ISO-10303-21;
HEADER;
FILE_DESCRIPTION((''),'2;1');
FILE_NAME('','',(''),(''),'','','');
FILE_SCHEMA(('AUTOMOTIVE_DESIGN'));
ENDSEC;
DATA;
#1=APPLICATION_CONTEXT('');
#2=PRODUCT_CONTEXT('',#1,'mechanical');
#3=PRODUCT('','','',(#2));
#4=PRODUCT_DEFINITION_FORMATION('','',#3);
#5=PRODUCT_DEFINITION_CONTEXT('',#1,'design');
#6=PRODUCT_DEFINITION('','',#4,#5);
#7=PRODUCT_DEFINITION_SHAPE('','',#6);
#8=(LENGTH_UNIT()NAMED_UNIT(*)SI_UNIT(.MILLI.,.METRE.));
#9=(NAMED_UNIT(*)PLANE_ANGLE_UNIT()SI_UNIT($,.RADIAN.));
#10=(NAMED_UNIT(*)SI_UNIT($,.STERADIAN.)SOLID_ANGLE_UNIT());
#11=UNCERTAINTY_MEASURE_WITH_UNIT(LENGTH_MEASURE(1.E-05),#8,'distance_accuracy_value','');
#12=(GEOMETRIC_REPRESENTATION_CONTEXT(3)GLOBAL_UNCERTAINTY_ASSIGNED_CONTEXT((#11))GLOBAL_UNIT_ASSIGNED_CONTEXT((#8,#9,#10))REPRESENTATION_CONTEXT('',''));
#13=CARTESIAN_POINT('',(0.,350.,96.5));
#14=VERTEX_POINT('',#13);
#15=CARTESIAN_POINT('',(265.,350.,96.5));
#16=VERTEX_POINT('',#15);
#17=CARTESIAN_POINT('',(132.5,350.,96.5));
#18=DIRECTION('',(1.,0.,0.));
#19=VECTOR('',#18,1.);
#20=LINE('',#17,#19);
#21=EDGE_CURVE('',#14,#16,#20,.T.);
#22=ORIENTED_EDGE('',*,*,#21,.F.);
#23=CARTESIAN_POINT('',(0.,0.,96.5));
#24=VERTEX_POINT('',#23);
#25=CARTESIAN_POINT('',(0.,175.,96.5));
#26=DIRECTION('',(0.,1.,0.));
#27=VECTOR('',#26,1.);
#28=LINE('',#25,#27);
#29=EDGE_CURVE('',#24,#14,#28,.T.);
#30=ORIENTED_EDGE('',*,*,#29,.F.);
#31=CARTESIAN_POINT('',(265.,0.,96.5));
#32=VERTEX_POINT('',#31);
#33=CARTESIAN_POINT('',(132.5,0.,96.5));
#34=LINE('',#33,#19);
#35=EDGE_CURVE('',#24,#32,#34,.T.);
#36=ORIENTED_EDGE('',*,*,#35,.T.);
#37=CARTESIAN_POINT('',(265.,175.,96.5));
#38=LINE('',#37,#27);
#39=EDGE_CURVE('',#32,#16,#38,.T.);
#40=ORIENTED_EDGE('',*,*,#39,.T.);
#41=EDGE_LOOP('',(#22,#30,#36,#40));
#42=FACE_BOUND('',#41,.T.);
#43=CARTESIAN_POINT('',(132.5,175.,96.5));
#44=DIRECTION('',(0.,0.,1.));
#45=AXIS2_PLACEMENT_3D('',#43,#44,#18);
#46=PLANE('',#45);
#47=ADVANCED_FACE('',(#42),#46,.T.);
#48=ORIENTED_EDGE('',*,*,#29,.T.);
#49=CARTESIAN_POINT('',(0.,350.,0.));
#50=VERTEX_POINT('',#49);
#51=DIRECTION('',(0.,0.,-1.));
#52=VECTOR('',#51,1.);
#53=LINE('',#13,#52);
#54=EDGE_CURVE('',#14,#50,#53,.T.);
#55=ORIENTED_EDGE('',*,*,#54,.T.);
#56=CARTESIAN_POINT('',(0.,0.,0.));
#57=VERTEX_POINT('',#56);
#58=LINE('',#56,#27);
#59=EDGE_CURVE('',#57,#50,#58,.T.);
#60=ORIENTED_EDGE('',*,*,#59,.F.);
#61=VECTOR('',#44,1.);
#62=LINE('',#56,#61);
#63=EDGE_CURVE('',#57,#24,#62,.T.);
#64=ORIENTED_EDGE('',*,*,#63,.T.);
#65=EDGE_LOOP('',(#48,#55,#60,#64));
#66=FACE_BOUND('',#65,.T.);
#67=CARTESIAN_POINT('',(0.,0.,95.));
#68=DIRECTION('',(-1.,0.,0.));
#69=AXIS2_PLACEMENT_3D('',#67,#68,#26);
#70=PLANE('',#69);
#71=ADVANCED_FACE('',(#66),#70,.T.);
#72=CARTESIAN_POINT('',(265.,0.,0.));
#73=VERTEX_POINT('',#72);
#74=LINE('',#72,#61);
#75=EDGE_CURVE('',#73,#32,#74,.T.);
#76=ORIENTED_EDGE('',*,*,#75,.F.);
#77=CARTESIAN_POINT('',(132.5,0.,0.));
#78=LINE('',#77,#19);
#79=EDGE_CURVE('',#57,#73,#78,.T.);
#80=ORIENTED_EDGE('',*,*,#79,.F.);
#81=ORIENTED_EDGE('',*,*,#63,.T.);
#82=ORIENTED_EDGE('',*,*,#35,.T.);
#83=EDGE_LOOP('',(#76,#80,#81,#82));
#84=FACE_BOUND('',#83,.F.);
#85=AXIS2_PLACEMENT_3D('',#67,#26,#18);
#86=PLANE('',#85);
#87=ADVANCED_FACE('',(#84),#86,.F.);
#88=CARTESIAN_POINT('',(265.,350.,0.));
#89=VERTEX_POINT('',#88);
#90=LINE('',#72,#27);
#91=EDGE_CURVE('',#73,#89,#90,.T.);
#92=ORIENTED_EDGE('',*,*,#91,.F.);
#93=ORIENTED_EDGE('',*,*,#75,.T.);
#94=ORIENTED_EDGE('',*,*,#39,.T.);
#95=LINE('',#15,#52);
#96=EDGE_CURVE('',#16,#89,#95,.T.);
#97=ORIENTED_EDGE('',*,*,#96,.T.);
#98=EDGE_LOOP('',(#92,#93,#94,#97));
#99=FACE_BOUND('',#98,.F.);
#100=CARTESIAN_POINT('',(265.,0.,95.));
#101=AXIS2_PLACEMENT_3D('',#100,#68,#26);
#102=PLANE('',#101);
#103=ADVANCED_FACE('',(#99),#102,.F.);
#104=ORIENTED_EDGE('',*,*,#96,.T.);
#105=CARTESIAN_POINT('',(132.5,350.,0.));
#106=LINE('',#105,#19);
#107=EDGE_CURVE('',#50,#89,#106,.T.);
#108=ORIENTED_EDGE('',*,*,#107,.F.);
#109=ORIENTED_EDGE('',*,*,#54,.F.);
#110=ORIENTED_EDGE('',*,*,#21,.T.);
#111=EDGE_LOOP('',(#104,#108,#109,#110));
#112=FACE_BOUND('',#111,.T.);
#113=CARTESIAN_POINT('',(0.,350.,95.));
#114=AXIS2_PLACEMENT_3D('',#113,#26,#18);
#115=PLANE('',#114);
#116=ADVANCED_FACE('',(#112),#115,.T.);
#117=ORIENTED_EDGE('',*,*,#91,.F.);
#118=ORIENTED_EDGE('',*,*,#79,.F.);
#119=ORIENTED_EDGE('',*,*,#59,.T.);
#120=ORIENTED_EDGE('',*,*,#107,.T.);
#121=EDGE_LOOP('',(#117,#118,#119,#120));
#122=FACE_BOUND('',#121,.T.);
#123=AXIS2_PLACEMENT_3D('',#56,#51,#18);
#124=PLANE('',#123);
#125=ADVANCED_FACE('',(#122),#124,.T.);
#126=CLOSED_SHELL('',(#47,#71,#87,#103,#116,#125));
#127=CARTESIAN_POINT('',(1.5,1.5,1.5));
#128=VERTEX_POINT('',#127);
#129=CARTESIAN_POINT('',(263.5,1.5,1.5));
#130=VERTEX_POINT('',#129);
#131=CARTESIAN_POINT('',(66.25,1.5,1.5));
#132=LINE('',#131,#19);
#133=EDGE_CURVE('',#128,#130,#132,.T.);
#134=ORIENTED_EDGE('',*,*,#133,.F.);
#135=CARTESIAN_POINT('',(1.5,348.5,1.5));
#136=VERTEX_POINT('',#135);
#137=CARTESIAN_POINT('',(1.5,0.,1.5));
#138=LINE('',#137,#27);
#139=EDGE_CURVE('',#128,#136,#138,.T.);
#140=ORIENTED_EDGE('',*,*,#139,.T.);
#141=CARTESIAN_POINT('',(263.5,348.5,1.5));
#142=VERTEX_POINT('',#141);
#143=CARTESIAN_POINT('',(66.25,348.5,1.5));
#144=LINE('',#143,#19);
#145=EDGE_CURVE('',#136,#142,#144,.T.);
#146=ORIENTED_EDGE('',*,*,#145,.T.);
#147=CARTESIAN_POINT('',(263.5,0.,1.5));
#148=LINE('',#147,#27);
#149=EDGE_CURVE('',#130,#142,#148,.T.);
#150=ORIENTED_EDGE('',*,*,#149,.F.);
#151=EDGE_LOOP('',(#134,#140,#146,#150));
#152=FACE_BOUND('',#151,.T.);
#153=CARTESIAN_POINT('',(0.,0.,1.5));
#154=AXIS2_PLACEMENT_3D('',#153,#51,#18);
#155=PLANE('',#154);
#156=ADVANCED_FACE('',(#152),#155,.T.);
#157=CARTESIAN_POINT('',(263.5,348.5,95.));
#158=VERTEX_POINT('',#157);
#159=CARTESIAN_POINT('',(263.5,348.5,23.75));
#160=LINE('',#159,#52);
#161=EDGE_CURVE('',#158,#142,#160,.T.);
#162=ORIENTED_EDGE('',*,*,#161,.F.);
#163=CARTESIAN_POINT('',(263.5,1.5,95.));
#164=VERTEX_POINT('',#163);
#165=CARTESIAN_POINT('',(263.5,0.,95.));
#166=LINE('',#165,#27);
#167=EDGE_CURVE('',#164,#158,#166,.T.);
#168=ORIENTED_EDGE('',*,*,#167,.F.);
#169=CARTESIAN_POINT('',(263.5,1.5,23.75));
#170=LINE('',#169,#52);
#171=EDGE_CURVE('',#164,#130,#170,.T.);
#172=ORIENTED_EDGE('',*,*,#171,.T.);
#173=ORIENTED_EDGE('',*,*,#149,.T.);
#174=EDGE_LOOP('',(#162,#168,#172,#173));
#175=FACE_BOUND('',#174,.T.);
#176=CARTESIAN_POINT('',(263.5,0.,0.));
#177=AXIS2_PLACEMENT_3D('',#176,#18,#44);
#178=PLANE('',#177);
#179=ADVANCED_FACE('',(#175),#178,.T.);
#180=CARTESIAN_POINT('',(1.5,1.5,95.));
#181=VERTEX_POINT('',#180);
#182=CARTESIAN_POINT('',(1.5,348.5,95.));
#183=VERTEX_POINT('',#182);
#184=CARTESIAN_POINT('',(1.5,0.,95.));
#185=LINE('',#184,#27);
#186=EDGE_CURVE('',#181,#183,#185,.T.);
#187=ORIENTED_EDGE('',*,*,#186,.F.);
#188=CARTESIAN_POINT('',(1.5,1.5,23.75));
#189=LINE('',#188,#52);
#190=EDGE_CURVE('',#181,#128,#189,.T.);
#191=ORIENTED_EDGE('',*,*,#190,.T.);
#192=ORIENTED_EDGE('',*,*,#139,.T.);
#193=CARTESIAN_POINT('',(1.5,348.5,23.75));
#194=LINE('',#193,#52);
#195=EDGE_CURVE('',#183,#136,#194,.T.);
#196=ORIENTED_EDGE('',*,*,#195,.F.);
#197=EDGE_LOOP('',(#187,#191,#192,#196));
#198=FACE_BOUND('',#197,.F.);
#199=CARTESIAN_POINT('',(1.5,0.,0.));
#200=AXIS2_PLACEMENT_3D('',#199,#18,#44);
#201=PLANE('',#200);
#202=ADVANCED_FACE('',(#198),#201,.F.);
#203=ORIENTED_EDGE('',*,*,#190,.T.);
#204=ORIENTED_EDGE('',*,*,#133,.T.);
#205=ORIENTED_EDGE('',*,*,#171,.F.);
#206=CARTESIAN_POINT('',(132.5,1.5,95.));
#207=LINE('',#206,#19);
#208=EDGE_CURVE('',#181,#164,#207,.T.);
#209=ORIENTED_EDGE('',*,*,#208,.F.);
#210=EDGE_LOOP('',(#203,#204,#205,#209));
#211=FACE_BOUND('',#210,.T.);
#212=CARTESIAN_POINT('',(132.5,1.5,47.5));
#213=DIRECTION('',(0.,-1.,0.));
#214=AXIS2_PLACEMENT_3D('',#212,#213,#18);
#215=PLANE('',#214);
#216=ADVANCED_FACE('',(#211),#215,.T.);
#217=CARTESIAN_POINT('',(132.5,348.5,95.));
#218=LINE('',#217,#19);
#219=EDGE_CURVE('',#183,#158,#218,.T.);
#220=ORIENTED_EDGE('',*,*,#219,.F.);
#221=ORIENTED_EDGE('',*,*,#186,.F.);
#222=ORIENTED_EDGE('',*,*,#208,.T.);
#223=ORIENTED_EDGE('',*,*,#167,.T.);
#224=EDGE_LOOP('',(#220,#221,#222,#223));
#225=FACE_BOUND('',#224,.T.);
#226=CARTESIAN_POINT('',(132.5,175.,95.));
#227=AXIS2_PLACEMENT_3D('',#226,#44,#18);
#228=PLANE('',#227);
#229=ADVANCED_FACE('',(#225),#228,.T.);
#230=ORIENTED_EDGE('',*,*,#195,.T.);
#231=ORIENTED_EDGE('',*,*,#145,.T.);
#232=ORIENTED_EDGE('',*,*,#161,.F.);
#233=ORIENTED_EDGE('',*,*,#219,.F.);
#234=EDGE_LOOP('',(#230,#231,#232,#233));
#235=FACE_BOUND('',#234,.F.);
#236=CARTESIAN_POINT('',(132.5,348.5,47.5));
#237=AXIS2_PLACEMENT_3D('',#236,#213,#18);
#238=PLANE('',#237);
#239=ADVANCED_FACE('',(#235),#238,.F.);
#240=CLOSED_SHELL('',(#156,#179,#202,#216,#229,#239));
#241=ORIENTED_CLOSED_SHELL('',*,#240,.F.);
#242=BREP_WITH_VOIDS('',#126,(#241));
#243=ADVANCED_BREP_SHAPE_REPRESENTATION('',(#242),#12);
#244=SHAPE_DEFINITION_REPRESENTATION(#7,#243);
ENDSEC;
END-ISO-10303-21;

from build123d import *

# Parameters (mm, degrees)
F0_W     = 265
F0_H     = 95
F1_DEPTH = 350
F2_T     = -1.5
F3_W     = 265
F3_H     = 350
F4_DEPTH = 1.5


with BuildPart() as f1:
    # F0 (on Front) → F1 (new body)
    with BuildSketch(Plane.XZ):
        with Locations((132.5, 47.5)):
            Rectangle(F0_W, F0_H)
    extrude(amount=-F1_DEPTH)

    # F2
    f2_openings = [f1.faces().sort_by_distance(p)[0] for p in [
        (132.5, 175, 95),
    ]]
    offset(amount=F2_T, openings=f2_openings)

    # F3 (on face) → F4 (join)
    with BuildSketch(Plane.XY.offset(95)):
        with Locations((132.5, 175)):
            Rectangle(F3_W, F3_H)
    extrude(amount=F4_DEPTH)


solid = f1.part
